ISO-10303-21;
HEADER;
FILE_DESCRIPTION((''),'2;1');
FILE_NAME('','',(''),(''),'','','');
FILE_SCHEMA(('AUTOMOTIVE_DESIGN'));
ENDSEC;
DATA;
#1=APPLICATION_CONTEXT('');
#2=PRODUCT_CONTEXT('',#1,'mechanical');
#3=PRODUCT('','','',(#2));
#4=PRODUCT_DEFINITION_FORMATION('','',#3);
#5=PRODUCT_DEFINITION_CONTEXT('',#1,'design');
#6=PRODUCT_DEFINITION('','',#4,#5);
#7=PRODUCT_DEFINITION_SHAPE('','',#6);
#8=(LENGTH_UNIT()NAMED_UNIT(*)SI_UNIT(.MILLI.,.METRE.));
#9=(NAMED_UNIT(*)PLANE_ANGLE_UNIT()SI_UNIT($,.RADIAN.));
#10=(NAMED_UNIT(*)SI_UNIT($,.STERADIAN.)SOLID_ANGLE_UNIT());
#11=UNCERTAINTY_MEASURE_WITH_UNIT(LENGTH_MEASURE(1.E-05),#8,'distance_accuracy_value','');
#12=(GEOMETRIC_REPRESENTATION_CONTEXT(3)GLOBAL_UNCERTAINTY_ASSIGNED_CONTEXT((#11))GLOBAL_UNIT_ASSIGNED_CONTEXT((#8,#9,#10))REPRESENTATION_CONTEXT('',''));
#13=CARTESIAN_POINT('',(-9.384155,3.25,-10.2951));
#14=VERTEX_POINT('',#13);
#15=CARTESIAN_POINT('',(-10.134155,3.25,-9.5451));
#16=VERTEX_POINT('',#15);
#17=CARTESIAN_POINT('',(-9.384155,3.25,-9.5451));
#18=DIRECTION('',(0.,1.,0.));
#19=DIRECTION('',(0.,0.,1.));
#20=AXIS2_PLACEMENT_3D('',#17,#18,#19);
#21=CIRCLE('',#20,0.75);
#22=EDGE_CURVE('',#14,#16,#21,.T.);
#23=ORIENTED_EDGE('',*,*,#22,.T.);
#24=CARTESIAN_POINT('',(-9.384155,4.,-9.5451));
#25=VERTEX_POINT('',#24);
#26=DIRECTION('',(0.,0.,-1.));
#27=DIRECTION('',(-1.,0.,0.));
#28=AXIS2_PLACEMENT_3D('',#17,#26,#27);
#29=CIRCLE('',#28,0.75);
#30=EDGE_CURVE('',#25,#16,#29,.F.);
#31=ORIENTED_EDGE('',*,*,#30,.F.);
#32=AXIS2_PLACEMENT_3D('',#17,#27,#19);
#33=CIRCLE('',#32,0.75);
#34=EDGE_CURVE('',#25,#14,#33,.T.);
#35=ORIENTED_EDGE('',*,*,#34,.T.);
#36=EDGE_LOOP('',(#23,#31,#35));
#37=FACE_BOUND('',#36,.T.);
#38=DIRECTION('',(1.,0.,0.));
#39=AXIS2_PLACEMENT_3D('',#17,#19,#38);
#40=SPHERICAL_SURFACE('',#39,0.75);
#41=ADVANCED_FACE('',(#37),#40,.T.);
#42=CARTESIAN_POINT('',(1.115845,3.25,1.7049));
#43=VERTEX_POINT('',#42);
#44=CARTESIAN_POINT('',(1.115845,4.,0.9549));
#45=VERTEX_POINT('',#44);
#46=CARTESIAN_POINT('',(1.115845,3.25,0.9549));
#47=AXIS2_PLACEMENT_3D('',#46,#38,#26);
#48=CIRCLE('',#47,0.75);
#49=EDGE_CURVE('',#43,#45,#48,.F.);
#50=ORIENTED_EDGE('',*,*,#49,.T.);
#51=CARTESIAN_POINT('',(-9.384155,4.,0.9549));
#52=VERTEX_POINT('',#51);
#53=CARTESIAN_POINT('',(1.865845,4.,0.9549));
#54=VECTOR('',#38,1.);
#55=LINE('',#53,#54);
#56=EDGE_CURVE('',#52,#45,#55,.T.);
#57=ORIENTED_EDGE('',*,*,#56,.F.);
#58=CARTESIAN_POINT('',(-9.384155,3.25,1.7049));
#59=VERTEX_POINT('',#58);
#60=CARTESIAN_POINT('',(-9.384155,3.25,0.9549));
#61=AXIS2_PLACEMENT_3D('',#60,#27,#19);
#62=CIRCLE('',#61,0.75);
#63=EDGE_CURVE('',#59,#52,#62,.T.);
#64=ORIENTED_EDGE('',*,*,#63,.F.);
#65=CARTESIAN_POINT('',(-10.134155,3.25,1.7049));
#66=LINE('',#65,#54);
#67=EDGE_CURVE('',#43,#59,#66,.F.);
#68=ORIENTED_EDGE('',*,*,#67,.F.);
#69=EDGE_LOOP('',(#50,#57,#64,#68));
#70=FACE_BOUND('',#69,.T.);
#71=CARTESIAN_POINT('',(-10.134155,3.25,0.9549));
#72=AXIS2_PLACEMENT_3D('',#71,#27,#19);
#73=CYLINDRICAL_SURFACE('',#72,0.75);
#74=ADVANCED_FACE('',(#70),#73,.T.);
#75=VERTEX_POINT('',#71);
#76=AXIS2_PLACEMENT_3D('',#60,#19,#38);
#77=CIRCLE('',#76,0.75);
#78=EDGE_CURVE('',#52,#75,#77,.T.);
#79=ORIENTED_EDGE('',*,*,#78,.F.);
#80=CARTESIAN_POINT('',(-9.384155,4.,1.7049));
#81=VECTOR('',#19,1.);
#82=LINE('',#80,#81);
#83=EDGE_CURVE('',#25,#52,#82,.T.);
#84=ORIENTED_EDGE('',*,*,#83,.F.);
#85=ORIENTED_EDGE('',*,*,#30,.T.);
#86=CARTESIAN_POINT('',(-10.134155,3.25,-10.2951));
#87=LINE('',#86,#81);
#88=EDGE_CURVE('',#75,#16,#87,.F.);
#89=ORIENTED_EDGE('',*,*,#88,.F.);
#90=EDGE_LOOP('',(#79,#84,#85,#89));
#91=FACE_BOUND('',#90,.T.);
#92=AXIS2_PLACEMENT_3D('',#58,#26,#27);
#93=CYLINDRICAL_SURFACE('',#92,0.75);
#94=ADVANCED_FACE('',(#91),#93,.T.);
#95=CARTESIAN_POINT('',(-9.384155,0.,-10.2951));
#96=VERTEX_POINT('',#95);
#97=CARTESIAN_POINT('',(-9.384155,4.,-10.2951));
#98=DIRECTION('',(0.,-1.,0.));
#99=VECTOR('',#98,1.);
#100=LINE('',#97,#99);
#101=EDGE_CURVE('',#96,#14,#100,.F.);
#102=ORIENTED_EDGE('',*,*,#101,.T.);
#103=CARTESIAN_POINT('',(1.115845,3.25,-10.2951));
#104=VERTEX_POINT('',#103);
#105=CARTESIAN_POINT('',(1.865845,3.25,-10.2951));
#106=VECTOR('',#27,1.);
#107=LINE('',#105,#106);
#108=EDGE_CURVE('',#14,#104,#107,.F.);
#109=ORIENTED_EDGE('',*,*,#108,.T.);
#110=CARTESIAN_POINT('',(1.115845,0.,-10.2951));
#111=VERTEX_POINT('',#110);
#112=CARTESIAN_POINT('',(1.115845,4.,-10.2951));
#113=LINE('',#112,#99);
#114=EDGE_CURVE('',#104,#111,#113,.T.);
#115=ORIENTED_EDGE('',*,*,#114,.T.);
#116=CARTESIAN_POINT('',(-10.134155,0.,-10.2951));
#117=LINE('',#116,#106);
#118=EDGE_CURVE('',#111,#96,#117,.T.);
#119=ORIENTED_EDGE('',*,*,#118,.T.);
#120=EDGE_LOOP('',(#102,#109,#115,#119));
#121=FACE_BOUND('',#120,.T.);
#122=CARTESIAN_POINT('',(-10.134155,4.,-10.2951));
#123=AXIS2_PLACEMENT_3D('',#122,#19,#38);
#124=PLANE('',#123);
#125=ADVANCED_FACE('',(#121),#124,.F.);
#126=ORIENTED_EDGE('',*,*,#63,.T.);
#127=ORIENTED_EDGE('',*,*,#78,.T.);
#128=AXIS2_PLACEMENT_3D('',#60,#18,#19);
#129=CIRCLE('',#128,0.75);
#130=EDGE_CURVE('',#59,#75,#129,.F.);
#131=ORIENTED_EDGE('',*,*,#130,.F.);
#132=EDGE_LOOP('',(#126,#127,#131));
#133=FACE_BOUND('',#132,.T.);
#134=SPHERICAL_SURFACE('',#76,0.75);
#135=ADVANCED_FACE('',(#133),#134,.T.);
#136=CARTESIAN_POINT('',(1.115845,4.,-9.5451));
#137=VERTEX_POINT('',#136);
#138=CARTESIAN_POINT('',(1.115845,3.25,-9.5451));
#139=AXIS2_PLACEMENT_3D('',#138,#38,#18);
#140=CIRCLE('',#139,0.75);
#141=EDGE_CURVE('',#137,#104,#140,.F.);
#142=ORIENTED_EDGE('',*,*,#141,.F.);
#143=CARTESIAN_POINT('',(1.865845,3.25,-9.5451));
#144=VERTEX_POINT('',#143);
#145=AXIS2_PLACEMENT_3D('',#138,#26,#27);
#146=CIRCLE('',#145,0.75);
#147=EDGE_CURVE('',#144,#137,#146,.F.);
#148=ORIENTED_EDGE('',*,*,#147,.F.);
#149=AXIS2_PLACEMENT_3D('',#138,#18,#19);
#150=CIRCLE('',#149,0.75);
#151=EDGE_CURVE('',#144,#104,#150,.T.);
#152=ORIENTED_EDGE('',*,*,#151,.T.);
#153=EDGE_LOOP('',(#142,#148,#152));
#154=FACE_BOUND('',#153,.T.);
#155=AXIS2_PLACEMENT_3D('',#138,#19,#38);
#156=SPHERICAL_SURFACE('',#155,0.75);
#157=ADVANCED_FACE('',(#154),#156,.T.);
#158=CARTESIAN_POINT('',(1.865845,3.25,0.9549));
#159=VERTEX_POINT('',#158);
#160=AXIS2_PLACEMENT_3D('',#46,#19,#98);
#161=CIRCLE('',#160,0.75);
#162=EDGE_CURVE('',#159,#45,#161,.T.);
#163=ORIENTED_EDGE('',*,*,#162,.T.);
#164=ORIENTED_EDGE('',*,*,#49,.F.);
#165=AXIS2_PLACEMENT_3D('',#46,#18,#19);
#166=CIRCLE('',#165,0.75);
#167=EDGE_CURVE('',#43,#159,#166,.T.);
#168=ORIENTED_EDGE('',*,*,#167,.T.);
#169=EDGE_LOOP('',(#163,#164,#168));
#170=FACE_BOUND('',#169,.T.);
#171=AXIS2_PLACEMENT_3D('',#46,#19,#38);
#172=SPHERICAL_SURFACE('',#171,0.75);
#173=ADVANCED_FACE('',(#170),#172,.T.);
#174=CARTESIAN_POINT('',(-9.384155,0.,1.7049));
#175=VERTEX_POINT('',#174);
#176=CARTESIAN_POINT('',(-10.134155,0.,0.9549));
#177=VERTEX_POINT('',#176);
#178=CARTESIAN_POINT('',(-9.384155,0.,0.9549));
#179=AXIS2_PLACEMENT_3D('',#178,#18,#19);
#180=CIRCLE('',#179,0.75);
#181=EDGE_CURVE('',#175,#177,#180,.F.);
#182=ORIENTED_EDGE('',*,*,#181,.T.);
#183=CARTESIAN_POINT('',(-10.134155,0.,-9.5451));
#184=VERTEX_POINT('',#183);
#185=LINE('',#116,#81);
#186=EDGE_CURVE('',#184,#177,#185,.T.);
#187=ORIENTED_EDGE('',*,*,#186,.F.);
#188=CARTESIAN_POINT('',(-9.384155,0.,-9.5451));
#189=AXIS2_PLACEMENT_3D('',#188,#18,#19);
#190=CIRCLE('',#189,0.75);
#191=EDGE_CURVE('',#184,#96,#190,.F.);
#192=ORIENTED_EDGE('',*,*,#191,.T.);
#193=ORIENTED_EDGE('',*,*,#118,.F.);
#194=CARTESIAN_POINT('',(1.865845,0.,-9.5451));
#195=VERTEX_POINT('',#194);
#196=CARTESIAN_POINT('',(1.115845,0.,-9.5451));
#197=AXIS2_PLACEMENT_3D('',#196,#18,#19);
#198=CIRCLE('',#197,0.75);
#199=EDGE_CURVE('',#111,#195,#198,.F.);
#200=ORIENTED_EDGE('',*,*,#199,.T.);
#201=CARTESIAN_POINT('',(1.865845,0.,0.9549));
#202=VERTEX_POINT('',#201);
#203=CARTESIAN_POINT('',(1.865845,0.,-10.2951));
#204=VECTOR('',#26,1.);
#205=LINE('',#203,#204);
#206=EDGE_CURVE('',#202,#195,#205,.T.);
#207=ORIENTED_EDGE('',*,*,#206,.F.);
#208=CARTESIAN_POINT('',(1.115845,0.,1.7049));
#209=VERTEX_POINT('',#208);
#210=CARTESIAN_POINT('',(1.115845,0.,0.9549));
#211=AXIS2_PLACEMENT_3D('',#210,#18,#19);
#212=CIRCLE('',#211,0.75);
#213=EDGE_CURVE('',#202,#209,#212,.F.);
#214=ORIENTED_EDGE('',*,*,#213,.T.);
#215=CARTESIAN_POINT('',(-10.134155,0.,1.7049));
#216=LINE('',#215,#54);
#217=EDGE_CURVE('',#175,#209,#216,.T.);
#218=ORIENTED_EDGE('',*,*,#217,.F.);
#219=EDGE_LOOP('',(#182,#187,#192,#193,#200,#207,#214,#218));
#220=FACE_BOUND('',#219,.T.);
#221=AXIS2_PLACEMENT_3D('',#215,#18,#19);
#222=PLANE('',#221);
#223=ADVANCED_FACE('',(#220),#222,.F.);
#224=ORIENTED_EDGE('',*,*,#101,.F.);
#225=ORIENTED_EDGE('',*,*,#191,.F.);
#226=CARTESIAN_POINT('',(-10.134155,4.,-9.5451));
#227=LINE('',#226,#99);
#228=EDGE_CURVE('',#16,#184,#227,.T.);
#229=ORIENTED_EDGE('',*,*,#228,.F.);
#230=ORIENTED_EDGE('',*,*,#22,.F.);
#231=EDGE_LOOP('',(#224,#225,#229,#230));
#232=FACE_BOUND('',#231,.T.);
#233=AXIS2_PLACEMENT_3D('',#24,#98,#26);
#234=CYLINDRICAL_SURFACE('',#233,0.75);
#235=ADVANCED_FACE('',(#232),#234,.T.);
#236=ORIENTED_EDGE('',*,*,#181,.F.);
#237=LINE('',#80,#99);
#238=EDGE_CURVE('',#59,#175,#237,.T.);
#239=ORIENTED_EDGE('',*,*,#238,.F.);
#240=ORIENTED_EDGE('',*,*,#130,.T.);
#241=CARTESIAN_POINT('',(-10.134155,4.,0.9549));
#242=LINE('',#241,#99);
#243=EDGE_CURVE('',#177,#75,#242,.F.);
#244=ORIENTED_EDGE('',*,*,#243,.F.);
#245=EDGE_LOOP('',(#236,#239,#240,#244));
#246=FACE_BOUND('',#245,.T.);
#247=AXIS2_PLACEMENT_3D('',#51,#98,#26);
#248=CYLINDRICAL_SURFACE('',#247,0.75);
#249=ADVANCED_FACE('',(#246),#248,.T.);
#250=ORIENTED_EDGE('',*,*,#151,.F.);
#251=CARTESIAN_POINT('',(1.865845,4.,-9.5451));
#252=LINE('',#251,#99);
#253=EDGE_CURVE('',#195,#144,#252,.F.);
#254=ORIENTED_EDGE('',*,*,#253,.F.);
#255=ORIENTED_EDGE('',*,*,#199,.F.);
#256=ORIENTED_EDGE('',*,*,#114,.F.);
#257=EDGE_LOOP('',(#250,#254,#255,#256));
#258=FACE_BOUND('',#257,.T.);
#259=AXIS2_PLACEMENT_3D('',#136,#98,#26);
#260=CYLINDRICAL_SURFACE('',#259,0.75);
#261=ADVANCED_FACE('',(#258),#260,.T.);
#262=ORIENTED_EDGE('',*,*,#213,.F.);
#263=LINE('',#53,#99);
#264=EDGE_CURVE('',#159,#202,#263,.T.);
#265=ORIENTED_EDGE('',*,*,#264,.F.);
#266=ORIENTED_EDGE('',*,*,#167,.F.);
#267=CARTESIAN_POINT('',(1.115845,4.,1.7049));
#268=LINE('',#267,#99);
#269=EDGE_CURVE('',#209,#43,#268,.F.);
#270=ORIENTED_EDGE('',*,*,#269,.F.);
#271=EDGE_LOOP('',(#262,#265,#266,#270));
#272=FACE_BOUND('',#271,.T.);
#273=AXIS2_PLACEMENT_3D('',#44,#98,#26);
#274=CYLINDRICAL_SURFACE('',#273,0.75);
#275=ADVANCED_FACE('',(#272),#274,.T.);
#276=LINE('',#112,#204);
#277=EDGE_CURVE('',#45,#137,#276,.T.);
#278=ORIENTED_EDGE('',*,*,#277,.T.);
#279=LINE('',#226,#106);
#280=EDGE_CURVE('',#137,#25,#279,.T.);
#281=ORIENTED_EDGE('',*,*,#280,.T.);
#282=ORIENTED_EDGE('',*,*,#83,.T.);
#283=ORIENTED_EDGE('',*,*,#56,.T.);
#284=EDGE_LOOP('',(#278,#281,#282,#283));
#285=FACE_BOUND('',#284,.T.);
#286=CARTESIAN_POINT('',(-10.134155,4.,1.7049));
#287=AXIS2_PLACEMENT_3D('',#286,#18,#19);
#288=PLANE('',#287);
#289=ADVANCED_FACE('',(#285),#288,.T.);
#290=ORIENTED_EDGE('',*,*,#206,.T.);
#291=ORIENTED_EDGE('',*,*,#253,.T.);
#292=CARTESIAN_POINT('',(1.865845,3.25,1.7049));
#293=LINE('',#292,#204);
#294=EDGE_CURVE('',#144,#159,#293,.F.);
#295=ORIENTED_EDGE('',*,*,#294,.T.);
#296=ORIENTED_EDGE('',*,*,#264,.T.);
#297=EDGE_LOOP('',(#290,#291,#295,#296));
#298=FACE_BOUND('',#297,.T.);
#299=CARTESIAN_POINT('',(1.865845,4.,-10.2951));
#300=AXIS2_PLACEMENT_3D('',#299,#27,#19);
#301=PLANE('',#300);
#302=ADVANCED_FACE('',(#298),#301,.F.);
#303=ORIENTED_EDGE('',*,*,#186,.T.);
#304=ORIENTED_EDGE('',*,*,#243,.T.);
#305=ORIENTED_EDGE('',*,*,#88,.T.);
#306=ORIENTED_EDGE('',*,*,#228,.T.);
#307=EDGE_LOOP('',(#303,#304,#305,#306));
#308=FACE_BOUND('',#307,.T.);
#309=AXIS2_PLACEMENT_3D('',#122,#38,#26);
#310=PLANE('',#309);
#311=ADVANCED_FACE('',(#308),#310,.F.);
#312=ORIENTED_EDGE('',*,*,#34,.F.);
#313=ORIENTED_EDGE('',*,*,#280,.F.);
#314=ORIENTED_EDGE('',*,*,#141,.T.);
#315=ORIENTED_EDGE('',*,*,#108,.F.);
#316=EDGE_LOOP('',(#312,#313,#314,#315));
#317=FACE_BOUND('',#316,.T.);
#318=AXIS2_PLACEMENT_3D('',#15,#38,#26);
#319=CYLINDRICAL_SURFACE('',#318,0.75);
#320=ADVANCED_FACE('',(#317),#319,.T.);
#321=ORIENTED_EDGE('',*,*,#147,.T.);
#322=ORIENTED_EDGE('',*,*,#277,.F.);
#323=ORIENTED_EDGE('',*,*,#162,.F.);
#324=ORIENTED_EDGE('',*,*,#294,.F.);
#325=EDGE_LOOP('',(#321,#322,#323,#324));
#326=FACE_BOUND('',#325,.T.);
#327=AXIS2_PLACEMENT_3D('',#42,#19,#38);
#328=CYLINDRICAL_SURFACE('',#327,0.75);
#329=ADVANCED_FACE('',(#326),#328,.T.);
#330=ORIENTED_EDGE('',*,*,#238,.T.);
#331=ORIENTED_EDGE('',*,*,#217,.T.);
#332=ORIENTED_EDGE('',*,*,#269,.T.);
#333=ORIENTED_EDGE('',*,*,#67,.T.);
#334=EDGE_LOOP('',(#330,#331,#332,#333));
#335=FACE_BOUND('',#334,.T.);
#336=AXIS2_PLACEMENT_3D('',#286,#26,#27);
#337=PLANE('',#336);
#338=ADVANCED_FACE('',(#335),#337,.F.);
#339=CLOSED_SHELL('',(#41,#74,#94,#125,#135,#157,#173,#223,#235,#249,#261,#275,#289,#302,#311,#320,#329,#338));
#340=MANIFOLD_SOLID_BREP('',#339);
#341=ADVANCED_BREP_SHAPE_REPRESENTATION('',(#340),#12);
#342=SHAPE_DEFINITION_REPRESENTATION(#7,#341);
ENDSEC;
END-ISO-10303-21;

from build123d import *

# Parameters (mm, degrees)
SKETCH1_W           = 12
SKETCH1_H           = 12
BOSS_EXTRUDE1_DEPTH = 4
FILLET1_R           = 0.75


with BuildPart() as part:
    # Sketch1 → Boss-Extrude1 (new body)
    with BuildSketch(Plane(origin=(0, 0, 0), x_dir=(1, 0, 0), z_dir=(0, 1, 0))):
        with Locations((-4.134154876, 4.295100408)):
            Rectangle(SKETCH1_W, SKETCH1_H)
    extrude(amount=BOSS_EXTRUDE1_DEPTH)

    # Fillet1
    fillet1_edges = [part.edges().sort_by_distance(p)[0] for p in [
        (1.865845124, 4, -4.295100408),
        (-4.134154876, 4, -10.295100408),
        (-10.134154876, 4, -4.295100408),
        (-4.134154876, 4, 1.704899592),
        (-10.134154876, 2, -10.295100408),
        (1.865845124, 2, -10.295100408),
        (1.865845124, 2, 1.704899592),
        (-10.134154876, 2, 1.704899592),
    ]]
    fillet(fillet1_edges, radius=FILLET1_R)


solid = part.part
